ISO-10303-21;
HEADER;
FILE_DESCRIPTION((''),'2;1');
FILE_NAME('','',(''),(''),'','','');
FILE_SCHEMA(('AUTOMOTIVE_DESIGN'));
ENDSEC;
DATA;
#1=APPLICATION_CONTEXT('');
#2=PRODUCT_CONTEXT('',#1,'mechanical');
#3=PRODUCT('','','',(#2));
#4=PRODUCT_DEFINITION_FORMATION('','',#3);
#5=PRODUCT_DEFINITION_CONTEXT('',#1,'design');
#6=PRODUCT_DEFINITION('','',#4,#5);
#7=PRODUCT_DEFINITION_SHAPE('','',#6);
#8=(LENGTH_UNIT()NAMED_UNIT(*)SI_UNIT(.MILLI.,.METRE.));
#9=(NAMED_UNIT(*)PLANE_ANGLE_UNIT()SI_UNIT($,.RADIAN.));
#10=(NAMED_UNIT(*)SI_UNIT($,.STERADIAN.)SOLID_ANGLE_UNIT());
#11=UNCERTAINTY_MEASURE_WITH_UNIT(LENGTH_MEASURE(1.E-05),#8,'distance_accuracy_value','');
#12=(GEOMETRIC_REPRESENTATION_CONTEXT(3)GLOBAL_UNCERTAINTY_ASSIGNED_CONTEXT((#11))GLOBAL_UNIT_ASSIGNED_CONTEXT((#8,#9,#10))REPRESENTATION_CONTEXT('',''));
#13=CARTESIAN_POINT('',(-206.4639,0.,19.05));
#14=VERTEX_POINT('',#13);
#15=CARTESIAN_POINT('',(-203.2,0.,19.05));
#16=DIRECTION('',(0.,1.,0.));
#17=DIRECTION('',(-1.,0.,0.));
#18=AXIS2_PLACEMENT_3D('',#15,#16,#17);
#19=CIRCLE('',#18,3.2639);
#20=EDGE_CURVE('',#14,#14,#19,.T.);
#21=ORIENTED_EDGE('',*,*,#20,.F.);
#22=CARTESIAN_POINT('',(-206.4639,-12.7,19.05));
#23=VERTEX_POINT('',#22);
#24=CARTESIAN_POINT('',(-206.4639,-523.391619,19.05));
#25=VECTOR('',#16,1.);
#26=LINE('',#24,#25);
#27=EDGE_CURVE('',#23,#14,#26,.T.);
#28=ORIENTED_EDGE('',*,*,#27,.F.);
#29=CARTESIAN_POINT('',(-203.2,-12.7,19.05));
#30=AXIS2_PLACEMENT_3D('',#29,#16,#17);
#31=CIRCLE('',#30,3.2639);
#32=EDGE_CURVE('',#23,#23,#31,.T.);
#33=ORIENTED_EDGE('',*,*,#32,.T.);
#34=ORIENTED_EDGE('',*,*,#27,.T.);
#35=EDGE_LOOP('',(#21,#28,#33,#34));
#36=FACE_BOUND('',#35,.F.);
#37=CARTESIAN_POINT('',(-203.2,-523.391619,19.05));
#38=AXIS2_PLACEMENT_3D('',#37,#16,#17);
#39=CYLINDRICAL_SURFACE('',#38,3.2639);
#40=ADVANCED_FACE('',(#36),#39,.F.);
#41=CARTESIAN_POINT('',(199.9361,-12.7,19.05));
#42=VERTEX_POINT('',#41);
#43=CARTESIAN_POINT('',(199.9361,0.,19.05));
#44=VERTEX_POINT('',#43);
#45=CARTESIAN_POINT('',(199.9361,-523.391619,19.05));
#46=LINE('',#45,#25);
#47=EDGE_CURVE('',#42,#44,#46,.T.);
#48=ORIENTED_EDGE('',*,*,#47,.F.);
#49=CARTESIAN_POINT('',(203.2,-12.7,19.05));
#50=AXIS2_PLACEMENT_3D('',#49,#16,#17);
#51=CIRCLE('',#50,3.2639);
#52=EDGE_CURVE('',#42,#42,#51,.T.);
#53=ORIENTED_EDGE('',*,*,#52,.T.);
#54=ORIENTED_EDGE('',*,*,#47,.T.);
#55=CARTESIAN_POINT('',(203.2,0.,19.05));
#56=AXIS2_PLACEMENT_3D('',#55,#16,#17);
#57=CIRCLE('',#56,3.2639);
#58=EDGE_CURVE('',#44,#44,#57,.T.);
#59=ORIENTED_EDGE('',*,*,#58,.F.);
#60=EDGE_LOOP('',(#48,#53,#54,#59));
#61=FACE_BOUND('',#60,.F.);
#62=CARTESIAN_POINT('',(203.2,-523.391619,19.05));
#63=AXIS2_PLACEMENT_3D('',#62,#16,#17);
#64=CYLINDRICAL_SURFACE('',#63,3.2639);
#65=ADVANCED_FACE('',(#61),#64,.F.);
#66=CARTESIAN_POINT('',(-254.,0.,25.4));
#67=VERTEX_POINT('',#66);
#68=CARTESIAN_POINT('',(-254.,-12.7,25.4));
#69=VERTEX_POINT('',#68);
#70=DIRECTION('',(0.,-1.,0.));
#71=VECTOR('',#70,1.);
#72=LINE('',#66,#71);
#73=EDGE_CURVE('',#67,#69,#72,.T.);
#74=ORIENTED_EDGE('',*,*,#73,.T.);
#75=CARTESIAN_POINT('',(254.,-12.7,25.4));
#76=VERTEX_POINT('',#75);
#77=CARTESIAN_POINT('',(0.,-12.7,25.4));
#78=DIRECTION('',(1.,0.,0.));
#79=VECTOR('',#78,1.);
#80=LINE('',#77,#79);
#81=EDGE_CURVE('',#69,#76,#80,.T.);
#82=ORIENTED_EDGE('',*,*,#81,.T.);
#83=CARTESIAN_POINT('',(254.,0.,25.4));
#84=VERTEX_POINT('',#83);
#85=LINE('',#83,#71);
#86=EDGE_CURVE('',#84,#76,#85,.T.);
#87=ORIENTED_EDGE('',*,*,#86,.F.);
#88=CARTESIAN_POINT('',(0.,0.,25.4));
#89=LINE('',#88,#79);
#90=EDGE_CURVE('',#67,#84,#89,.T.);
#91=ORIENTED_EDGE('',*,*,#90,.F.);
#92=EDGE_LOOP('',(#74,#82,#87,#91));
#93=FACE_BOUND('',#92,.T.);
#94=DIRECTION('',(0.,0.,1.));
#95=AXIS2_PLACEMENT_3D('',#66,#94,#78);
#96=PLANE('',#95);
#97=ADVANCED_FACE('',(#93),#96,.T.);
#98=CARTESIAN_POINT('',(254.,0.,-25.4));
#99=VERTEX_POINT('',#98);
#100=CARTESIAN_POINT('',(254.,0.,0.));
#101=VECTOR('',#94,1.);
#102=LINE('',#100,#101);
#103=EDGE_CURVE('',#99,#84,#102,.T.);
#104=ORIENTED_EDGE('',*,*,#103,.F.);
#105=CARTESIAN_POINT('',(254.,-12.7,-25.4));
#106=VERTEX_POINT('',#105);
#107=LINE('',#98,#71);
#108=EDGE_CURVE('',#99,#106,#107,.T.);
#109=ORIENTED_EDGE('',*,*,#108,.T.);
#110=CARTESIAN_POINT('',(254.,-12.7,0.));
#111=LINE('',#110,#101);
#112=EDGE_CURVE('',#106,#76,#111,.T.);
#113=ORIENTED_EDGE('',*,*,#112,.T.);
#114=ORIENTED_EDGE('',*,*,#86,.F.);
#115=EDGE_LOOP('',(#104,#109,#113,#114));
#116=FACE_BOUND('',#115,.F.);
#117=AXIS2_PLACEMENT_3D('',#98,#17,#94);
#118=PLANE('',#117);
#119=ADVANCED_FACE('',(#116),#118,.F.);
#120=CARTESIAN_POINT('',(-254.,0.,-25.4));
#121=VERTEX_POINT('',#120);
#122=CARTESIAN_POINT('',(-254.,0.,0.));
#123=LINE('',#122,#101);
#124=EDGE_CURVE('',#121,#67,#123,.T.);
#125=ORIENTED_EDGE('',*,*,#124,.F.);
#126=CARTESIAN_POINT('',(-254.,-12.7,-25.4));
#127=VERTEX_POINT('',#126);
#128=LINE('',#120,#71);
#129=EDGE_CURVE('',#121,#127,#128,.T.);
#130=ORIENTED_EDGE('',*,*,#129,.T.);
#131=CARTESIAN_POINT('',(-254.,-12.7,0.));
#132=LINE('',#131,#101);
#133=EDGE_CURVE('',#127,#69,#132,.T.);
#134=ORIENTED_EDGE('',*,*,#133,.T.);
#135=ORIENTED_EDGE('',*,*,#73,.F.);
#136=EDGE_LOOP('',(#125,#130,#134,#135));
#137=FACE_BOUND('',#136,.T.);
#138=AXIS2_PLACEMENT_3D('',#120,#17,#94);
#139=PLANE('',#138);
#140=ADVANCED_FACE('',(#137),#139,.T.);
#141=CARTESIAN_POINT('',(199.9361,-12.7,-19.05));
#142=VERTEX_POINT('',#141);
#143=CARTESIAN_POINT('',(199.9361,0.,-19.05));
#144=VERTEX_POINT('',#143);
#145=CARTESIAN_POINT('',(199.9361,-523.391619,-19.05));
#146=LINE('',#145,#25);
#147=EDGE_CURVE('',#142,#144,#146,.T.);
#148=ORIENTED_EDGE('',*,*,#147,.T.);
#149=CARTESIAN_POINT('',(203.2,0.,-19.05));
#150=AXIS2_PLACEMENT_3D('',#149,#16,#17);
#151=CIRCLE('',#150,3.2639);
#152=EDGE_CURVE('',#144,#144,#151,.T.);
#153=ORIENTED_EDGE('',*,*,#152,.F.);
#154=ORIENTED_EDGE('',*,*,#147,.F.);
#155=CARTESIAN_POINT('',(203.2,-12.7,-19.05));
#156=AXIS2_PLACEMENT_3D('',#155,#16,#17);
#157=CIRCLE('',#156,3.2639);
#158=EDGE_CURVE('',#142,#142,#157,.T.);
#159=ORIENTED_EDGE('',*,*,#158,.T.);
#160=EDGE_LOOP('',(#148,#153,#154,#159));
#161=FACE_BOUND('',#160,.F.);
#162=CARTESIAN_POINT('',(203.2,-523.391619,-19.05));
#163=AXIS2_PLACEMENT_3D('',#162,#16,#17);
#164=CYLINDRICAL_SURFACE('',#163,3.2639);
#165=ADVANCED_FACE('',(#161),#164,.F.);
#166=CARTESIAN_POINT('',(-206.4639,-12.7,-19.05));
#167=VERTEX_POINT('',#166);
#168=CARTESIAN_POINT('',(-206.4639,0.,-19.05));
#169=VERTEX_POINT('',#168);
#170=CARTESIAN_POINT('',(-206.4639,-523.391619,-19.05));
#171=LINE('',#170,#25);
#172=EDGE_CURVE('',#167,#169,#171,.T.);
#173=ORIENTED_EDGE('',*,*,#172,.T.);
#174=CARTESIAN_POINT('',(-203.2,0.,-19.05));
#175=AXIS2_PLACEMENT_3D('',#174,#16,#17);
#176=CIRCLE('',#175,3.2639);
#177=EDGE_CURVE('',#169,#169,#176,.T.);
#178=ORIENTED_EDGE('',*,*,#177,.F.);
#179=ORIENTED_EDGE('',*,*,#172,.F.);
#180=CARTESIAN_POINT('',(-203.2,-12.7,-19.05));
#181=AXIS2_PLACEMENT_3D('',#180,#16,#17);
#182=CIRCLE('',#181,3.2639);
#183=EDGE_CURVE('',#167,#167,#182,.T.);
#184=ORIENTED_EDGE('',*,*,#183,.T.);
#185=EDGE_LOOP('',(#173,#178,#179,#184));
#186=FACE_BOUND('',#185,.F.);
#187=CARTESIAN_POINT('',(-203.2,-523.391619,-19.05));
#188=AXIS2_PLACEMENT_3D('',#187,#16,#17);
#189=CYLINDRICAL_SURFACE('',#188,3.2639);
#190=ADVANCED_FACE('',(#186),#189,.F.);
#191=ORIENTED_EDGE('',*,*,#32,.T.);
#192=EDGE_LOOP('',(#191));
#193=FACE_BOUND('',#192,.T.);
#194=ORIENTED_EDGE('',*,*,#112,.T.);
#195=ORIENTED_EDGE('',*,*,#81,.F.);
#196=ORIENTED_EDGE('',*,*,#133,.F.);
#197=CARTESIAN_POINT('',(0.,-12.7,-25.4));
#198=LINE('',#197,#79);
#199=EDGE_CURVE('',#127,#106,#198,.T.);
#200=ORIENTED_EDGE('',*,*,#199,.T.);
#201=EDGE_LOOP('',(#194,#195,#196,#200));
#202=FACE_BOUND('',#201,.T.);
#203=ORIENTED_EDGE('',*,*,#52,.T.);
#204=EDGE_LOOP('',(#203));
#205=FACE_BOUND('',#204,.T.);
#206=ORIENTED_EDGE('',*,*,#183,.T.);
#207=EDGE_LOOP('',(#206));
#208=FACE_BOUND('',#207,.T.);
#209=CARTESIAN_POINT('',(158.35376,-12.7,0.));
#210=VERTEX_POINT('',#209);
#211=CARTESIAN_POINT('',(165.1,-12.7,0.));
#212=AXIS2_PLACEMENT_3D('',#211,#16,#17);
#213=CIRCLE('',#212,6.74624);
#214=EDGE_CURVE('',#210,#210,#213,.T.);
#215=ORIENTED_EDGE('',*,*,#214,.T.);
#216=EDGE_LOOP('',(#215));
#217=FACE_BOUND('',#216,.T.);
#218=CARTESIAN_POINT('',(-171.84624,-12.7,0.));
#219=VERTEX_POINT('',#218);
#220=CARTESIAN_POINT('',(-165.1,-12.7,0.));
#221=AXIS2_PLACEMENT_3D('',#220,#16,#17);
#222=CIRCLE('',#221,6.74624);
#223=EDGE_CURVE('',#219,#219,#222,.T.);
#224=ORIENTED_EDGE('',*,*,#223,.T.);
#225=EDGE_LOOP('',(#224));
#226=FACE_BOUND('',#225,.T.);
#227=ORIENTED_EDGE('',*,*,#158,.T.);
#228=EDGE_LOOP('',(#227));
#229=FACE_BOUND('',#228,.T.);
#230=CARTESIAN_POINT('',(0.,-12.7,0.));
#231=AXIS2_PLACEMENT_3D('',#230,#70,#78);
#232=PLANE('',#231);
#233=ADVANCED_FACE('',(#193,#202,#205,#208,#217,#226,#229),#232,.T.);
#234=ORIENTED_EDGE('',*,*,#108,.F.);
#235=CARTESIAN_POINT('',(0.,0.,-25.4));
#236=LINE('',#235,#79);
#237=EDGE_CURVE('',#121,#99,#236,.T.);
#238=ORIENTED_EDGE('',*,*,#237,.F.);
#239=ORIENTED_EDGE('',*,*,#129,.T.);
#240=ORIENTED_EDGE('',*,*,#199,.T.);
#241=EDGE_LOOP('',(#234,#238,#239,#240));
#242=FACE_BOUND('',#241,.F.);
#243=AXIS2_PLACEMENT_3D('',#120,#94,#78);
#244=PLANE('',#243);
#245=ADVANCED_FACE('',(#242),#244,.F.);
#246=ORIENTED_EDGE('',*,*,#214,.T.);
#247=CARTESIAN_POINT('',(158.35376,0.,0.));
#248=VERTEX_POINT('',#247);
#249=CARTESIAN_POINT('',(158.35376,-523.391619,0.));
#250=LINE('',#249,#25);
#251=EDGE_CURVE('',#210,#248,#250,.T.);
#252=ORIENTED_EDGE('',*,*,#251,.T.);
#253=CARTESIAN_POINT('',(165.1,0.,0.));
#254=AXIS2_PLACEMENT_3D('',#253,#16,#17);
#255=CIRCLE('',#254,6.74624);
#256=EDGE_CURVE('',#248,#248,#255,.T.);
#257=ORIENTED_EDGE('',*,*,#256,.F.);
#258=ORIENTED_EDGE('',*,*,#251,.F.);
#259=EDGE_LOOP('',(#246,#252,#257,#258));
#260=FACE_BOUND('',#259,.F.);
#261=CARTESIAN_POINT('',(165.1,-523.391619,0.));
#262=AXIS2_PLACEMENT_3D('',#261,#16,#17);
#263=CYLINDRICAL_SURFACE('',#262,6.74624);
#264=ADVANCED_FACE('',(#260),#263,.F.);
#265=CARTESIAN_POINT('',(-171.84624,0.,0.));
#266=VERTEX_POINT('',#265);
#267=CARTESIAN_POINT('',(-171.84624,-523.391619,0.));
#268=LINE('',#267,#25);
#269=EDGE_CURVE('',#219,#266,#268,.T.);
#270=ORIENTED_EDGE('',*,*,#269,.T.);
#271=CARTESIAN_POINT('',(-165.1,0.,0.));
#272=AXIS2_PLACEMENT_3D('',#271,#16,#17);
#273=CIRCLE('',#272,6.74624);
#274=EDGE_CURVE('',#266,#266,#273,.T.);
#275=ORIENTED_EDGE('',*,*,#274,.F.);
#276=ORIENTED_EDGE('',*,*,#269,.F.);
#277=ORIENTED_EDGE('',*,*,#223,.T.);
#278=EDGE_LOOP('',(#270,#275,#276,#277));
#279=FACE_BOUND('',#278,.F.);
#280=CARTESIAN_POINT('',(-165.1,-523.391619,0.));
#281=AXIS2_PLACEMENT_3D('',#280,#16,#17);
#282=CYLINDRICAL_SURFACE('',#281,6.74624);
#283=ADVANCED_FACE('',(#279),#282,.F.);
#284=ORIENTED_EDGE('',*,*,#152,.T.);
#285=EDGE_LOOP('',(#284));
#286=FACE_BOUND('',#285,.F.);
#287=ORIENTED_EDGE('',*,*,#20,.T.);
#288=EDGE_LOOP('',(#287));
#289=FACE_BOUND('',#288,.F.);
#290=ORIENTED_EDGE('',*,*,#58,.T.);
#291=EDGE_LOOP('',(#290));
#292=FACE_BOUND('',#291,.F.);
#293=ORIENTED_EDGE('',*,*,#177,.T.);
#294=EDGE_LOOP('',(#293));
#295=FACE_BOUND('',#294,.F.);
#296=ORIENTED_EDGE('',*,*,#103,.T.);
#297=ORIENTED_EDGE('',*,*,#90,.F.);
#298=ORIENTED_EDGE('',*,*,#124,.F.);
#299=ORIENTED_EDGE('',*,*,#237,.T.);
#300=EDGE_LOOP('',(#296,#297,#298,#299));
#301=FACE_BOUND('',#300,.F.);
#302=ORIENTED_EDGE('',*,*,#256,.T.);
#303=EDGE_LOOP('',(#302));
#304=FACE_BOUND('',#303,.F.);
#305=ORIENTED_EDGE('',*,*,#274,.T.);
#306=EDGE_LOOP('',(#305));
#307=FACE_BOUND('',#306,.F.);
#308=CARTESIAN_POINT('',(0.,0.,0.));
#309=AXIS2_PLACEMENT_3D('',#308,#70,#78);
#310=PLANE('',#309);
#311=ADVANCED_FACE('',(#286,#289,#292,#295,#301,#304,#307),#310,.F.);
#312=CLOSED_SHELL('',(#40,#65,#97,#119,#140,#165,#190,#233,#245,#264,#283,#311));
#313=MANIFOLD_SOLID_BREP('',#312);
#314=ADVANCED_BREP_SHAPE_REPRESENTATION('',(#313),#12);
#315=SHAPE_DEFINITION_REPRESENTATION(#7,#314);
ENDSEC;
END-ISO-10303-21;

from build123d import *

# Parameters (mm, degrees)
F0_W     = 508
F0_H     = 50.8
F1_DEPTH = 12.7
F3_D     = 6.5278
F5_D     = 13.49248


with BuildPart() as f1:
    # F0 (on Front) → F1 (new body)
    with BuildSketch(Plane.XZ):
        Rectangle(F0_W, F0_H)
    extrude(amount=F1_DEPTH)

    # F3 (through all)
    with Locations(Plane.XZ.offset(12.7)):
        with Locations((-203.2, 19.05), (203.2, 19.05), (-203.2, -19.05), (203.2, -19.05)):
            Hole(F3_D / 2)

    # F5 (through all)
    with Locations(Plane.XZ.offset(12.7)):
        with Locations((165.1, 0), (-165.1, 0)):
            Hole(F5_D / 2)


solid = f1.part
